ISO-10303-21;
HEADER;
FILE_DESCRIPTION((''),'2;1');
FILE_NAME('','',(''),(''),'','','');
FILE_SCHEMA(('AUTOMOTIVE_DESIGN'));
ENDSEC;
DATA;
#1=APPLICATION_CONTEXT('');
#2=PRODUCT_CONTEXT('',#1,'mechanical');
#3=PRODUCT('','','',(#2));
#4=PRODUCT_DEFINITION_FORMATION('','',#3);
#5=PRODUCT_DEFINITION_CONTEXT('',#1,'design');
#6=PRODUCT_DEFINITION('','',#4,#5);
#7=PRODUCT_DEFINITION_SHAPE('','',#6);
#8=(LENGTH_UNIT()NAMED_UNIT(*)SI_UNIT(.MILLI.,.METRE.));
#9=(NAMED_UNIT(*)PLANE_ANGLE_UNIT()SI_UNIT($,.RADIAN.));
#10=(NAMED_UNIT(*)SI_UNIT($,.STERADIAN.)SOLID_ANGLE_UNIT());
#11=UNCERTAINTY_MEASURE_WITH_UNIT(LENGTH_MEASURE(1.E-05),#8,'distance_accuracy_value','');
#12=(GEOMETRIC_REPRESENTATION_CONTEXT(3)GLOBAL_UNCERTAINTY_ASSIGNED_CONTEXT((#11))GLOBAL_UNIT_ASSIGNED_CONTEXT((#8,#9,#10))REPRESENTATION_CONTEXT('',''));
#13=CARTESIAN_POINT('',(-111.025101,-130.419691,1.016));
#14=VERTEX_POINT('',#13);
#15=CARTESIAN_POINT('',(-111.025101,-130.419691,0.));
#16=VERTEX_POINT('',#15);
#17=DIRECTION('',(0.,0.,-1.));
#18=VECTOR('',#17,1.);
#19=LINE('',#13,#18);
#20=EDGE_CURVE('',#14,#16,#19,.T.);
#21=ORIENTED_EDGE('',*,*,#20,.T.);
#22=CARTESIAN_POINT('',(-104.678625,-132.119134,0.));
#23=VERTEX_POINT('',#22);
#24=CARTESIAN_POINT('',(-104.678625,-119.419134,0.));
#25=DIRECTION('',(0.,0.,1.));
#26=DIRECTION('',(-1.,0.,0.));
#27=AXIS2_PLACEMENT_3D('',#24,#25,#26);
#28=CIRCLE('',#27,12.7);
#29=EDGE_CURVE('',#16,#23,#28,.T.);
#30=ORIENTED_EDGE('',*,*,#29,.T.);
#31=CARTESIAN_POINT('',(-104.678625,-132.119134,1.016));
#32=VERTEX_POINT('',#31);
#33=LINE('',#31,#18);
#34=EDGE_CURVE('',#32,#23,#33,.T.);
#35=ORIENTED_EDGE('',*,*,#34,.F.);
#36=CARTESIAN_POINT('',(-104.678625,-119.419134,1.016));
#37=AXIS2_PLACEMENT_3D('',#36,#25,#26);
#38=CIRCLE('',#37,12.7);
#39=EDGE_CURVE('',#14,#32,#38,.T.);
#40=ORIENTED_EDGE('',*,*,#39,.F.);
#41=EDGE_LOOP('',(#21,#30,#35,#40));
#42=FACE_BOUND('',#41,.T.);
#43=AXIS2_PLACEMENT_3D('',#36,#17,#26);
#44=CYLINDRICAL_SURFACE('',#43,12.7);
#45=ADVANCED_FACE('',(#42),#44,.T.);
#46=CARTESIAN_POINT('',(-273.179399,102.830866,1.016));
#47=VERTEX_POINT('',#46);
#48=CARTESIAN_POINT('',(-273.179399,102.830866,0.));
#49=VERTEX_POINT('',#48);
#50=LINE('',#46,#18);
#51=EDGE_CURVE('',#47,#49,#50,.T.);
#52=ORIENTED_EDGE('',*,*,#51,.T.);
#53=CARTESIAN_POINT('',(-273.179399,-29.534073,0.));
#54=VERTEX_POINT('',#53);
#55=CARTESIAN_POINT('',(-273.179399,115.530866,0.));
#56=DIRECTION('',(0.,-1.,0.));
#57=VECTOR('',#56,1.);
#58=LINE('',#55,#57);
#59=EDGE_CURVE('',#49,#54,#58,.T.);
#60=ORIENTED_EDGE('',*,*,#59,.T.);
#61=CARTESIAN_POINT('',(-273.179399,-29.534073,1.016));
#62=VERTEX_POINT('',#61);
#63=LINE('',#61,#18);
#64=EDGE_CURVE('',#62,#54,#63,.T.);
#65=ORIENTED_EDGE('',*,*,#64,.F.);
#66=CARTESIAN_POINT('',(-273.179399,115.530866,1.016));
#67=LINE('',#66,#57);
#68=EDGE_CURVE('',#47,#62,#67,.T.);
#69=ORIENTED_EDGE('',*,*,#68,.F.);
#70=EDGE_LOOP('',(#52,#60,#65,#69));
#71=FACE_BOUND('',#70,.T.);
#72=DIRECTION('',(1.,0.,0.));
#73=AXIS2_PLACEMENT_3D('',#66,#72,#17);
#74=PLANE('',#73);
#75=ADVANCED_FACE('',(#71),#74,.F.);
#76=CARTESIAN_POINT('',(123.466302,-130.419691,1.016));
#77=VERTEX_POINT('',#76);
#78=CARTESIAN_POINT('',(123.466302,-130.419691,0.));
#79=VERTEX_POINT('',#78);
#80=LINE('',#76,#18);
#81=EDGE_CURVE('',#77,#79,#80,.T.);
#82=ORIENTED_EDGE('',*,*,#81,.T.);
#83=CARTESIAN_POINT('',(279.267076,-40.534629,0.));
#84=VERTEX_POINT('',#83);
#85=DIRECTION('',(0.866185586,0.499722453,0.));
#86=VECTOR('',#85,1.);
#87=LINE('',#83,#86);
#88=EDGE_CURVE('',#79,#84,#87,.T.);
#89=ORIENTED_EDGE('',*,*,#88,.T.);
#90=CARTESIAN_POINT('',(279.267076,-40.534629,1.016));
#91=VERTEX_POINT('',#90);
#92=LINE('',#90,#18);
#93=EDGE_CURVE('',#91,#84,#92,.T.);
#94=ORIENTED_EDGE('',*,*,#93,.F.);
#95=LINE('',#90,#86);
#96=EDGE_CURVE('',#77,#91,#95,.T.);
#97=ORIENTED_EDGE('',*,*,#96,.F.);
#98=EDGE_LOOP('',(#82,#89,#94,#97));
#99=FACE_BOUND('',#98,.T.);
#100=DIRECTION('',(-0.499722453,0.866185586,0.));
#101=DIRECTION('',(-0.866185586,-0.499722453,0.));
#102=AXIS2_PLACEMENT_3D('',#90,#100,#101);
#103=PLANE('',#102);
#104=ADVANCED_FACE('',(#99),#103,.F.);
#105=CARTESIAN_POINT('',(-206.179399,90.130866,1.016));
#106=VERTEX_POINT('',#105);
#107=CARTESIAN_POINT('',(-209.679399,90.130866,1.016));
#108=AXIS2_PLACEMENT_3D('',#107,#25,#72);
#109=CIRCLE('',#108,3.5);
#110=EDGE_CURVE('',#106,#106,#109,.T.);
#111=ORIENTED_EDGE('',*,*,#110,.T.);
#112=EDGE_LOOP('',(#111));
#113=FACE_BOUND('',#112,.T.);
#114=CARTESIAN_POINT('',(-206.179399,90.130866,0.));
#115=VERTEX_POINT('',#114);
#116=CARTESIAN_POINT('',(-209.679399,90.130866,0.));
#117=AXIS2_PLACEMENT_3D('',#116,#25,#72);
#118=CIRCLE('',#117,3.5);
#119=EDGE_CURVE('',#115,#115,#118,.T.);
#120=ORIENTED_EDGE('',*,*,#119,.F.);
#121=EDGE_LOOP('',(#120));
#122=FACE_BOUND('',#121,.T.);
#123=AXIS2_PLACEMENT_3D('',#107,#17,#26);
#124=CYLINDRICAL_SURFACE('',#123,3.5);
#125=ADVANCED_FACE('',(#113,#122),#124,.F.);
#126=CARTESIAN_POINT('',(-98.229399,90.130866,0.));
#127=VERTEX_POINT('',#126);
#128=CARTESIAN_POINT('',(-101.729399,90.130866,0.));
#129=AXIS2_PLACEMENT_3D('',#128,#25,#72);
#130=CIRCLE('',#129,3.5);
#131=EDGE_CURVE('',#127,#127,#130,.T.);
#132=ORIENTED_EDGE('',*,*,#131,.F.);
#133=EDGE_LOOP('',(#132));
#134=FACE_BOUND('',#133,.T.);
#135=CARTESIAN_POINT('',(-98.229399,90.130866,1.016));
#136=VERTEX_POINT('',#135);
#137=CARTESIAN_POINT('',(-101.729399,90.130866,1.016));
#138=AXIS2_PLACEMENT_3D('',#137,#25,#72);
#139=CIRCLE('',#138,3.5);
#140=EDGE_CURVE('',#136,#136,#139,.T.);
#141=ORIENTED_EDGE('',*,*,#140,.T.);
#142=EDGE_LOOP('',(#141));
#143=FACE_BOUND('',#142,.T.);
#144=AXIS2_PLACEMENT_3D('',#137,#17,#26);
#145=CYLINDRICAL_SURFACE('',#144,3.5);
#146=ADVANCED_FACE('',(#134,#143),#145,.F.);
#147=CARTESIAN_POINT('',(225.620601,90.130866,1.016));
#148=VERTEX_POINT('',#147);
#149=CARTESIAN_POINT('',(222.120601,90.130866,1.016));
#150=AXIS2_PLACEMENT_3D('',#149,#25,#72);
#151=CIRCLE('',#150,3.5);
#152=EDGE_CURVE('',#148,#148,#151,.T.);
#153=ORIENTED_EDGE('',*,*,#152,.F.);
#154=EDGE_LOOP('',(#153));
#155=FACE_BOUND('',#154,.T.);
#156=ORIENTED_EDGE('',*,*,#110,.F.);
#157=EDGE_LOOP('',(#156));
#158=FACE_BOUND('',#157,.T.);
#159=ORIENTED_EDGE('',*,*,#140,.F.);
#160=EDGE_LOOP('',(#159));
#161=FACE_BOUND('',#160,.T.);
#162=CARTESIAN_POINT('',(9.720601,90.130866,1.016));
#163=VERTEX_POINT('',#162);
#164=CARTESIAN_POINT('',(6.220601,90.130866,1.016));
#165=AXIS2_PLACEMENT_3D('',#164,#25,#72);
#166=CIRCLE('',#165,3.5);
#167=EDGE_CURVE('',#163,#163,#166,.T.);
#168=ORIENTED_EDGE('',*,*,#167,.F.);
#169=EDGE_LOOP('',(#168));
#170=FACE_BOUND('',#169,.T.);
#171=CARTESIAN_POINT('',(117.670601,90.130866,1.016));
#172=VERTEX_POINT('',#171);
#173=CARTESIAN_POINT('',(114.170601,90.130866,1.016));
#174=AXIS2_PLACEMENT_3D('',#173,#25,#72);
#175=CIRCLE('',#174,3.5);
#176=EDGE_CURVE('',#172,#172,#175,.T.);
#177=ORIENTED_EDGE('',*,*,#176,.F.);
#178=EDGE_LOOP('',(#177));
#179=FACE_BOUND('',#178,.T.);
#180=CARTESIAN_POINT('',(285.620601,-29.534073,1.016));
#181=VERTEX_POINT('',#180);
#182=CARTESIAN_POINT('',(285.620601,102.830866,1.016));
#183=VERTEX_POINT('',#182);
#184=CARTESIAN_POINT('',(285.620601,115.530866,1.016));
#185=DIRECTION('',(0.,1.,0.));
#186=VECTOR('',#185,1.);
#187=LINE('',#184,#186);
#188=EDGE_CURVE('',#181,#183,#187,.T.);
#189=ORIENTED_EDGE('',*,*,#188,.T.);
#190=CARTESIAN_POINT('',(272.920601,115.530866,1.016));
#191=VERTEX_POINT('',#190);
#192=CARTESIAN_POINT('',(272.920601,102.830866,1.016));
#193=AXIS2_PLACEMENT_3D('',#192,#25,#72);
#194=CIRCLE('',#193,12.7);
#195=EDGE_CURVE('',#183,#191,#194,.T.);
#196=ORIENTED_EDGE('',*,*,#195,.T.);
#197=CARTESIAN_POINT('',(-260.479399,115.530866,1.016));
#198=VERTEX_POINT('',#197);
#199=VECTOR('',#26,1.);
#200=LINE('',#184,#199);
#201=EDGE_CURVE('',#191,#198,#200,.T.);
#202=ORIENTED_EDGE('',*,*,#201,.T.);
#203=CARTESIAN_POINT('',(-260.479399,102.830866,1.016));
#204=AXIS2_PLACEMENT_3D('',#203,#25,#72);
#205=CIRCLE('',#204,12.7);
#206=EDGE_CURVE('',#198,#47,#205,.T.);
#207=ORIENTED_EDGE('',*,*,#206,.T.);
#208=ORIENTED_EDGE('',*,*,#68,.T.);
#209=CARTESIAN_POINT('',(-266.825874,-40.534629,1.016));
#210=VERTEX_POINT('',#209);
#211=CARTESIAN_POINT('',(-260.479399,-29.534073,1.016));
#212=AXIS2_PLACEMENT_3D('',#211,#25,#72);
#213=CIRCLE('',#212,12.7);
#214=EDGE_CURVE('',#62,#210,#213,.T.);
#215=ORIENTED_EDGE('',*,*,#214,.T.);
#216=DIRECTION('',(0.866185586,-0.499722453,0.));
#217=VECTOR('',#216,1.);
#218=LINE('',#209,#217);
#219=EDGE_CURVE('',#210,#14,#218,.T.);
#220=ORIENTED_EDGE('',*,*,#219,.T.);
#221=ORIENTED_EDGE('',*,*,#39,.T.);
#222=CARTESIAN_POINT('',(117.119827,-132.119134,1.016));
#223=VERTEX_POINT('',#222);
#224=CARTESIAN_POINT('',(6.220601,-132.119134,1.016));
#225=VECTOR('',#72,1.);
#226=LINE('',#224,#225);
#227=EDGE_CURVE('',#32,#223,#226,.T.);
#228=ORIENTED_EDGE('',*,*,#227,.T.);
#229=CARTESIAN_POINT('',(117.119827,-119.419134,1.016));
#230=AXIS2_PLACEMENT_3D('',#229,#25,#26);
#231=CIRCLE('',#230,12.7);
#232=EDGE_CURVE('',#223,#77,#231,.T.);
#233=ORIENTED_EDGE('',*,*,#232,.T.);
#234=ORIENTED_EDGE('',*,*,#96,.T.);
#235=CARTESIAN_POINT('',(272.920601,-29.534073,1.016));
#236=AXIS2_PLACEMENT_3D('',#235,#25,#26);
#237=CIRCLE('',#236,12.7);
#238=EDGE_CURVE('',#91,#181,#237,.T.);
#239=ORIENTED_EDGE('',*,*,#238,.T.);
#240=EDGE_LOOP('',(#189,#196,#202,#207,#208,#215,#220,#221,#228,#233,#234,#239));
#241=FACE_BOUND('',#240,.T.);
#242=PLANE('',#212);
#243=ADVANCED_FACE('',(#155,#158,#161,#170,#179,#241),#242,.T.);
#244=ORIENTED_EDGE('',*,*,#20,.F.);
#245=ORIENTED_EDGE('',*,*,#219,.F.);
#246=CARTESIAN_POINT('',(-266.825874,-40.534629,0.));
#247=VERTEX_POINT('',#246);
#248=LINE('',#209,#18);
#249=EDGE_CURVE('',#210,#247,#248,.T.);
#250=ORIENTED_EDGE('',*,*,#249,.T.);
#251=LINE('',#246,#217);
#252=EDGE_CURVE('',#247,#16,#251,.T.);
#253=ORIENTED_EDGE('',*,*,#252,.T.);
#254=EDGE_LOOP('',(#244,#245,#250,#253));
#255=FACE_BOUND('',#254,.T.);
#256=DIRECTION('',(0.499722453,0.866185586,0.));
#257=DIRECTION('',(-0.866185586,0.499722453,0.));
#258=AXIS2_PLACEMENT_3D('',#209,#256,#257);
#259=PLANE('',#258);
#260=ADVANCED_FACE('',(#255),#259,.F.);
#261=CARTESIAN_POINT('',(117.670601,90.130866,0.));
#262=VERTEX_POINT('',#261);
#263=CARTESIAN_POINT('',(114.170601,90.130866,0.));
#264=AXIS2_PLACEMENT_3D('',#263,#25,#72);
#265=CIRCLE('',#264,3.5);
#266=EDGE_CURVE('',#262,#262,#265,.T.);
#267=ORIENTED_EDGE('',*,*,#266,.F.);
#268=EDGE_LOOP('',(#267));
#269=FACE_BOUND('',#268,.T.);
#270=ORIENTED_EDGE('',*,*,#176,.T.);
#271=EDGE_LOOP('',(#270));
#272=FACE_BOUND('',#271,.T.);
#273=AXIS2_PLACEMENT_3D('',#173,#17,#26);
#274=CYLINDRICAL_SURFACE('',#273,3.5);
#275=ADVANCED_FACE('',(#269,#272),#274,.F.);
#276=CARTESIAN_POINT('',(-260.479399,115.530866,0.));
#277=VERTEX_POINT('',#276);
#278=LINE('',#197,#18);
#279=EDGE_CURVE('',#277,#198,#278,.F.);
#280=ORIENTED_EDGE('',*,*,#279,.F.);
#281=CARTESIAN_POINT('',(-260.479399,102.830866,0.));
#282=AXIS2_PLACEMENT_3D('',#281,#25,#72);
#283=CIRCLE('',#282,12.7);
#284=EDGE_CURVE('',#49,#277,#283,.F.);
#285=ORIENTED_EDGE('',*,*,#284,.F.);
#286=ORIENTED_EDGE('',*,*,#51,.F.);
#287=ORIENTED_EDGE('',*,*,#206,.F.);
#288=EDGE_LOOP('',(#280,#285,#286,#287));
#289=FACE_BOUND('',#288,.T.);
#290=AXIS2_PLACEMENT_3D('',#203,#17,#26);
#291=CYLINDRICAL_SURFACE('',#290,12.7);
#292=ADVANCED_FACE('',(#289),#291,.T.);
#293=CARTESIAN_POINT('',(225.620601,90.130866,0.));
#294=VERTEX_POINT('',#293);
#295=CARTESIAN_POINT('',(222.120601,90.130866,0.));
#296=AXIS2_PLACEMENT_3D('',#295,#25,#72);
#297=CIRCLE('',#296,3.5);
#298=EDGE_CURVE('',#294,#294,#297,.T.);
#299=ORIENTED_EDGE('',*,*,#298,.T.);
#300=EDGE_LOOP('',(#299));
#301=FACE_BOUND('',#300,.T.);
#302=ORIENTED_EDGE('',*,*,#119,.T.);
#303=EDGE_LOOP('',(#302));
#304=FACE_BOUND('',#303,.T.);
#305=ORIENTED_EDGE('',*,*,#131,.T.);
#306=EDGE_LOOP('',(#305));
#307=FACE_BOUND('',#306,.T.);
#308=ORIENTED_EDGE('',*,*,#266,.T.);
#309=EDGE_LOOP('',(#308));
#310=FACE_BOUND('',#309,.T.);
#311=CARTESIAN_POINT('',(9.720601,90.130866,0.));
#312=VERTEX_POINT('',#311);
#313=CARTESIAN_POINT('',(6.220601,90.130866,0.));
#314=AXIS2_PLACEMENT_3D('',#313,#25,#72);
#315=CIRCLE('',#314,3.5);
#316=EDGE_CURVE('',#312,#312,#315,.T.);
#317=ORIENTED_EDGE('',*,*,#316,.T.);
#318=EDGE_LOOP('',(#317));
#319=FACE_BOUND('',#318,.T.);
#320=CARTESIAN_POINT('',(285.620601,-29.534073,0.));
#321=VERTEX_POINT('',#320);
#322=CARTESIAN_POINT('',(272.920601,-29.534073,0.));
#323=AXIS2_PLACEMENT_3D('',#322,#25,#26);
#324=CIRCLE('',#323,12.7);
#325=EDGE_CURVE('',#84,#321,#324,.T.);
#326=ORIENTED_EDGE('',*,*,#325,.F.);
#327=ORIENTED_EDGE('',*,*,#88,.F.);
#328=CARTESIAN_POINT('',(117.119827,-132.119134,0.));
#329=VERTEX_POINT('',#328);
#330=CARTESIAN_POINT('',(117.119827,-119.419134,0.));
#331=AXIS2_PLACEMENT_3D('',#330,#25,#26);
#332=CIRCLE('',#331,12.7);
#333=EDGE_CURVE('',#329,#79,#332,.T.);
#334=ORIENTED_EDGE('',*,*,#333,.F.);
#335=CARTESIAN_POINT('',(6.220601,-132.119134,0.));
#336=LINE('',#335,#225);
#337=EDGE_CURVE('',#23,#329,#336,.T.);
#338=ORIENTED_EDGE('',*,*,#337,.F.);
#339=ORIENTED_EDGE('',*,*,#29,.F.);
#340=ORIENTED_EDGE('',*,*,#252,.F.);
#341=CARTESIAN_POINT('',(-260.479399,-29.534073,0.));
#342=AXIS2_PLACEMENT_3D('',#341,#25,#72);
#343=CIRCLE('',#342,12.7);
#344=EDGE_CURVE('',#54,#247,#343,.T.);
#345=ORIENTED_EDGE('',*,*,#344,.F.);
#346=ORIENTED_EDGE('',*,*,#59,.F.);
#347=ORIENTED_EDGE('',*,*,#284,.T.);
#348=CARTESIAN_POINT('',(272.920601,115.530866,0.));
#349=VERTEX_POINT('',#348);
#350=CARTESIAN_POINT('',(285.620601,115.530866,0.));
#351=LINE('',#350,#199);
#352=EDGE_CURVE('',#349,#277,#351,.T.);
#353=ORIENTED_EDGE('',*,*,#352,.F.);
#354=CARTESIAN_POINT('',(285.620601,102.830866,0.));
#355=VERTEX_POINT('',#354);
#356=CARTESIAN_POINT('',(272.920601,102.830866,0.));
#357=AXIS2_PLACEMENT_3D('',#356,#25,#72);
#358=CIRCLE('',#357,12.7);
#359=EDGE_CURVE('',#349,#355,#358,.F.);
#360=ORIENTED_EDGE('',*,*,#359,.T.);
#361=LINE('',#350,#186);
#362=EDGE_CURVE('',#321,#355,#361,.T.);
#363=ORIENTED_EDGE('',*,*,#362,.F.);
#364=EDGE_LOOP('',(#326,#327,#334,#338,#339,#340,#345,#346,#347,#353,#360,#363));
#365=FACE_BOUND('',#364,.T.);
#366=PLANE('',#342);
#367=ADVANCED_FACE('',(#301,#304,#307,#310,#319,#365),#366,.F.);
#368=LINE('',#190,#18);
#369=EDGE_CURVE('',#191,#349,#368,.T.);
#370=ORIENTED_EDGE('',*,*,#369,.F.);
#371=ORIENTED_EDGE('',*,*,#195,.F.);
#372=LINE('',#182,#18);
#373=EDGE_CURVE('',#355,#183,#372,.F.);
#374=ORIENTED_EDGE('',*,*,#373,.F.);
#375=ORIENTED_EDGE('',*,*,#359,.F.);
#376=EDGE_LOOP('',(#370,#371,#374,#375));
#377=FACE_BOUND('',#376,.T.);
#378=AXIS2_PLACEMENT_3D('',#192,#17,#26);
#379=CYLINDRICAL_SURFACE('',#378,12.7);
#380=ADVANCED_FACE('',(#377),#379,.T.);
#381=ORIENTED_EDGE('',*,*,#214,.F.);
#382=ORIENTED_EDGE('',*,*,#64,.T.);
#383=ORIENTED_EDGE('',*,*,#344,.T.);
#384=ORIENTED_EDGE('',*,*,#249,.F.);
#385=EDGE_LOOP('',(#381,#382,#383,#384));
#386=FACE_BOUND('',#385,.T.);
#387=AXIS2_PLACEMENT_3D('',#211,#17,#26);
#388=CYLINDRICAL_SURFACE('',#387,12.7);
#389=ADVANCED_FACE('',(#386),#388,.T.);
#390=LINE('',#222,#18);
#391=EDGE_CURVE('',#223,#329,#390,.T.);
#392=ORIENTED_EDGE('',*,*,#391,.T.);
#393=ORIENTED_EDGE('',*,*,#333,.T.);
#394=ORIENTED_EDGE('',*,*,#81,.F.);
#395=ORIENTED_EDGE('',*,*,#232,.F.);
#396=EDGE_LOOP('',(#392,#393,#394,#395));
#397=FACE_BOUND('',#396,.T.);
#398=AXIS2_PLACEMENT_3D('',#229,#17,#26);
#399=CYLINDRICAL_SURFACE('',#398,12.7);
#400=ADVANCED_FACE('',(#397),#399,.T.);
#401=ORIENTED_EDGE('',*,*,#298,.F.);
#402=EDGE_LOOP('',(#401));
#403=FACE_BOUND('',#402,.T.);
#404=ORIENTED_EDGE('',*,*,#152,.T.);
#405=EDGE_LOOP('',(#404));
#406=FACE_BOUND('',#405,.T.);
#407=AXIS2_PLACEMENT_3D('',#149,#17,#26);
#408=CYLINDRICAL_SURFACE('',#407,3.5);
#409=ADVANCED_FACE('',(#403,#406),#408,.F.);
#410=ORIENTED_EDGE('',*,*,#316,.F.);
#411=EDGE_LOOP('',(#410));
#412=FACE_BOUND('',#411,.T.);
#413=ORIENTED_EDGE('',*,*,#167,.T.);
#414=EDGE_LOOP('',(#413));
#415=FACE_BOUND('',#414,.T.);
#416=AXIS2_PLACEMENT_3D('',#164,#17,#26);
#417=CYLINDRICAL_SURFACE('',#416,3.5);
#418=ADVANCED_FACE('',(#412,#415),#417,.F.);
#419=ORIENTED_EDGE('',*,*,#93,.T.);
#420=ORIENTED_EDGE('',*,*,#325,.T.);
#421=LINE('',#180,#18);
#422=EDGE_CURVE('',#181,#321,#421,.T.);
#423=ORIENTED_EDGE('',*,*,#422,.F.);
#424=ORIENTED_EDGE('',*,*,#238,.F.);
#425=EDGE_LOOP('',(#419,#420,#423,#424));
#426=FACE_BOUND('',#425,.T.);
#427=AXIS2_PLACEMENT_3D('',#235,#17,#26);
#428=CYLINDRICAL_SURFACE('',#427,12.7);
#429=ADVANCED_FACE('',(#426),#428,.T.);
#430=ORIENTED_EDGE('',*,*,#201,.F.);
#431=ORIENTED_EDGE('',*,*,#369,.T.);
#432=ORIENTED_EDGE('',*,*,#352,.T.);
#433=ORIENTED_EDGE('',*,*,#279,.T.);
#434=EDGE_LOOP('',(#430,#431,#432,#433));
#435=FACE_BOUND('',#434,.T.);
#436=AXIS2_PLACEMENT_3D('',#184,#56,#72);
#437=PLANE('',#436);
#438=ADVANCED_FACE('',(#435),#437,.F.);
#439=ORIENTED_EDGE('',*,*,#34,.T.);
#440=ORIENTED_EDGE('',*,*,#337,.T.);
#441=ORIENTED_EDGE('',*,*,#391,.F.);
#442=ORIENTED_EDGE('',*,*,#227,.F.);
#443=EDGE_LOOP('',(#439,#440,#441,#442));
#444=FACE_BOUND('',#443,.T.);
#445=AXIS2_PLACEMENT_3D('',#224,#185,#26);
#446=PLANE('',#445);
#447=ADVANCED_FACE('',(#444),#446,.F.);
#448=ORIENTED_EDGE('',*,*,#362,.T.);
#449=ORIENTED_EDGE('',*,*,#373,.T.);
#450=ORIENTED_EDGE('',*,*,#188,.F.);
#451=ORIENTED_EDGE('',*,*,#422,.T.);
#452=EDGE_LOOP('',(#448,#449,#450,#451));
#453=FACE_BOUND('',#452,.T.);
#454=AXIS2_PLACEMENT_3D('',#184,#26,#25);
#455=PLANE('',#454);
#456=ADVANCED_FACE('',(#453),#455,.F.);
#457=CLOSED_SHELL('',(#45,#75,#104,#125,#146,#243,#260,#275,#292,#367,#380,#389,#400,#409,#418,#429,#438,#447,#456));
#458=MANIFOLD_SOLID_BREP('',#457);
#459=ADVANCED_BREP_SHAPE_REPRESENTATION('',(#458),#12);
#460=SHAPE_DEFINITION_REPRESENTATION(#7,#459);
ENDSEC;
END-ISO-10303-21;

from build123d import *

# Parameters (mm, degrees)
SKETCH2_R           = 3.5
BOSS_EXTRUDE1_DEPTH = 1.016
FILLET1_R           = 12.7


with BuildPart() as part:
    # Sketch2 → Boss-Extrude1 (new body)
    with BuildSketch(Plane.XY):
        with BuildLine():
            Line((285.620600763, 115.53086565), (-273.179399237, 115.53086565))
            Line((-273.179399237, 115.53086565), (-273.179399237, -29.534072508))
            ThreePointArc((-273.179399237, -29.534072508), (-271.476904285, -35.885834684), (-266.825874397, -40.534629451))
            Line((-266.825874397, -40.534629451), (-111.025100537, -130.419691293))
            ThreePointArc((-111.025100537, -130.419691293), (-107.963661665, -131.686918852), (-104.678625377, -132.11913435))
            Line((-104.678625377, -132.11913435), (6.220600763, -132.11913435))
            Line((6.220600763, -132.11913435), (117.119826902, -132.11913435))
            ThreePointArc((117.119826902, -132.11913435), (120.40486319, -131.686918852), (123.466302062, -130.419691293))
            Line((123.466302062, -130.419691293), (279.267075922, -40.534629451))
            ThreePointArc((279.267075922, -40.534629451), (283.91810581, -35.885834684), (285.620600763, -29.534072508))
            Line((285.620600763, -29.534072508), (285.620600763, 115.53086565))
        make_face()
        with Locations((-209.679399237, 90.13086565)):
            Circle(SKETCH2_R, mode=Mode.SUBTRACT)
        with Locations((-101.729399237, 90.13086565)):
            Circle(SKETCH2_R, mode=Mode.SUBTRACT)
        with Locations((6.220600763, 90.13086565)):
            Circle(SKETCH2_R, mode=Mode.SUBTRACT)
        with Locations((114.170600763, 90.13086565)):
            Circle(SKETCH2_R, mode=Mode.SUBTRACT)
        with Locations((222.120600763, 90.13086565)):
            Circle(SKETCH2_R, mode=Mode.SUBTRACT)
    extrude(amount=BOSS_EXTRUDE1_DEPTH)

    # Fillet1
    fillet1_edges = [part.edges().sort_by_distance(p)[0] for p in [
        (-273.179399237, 115.53086565, 0.508),
        (285.620600763, 115.53086565, 0.508),
    ]]
    fillet(fillet1_edges, radius=FILLET1_R)


solid = part.part
